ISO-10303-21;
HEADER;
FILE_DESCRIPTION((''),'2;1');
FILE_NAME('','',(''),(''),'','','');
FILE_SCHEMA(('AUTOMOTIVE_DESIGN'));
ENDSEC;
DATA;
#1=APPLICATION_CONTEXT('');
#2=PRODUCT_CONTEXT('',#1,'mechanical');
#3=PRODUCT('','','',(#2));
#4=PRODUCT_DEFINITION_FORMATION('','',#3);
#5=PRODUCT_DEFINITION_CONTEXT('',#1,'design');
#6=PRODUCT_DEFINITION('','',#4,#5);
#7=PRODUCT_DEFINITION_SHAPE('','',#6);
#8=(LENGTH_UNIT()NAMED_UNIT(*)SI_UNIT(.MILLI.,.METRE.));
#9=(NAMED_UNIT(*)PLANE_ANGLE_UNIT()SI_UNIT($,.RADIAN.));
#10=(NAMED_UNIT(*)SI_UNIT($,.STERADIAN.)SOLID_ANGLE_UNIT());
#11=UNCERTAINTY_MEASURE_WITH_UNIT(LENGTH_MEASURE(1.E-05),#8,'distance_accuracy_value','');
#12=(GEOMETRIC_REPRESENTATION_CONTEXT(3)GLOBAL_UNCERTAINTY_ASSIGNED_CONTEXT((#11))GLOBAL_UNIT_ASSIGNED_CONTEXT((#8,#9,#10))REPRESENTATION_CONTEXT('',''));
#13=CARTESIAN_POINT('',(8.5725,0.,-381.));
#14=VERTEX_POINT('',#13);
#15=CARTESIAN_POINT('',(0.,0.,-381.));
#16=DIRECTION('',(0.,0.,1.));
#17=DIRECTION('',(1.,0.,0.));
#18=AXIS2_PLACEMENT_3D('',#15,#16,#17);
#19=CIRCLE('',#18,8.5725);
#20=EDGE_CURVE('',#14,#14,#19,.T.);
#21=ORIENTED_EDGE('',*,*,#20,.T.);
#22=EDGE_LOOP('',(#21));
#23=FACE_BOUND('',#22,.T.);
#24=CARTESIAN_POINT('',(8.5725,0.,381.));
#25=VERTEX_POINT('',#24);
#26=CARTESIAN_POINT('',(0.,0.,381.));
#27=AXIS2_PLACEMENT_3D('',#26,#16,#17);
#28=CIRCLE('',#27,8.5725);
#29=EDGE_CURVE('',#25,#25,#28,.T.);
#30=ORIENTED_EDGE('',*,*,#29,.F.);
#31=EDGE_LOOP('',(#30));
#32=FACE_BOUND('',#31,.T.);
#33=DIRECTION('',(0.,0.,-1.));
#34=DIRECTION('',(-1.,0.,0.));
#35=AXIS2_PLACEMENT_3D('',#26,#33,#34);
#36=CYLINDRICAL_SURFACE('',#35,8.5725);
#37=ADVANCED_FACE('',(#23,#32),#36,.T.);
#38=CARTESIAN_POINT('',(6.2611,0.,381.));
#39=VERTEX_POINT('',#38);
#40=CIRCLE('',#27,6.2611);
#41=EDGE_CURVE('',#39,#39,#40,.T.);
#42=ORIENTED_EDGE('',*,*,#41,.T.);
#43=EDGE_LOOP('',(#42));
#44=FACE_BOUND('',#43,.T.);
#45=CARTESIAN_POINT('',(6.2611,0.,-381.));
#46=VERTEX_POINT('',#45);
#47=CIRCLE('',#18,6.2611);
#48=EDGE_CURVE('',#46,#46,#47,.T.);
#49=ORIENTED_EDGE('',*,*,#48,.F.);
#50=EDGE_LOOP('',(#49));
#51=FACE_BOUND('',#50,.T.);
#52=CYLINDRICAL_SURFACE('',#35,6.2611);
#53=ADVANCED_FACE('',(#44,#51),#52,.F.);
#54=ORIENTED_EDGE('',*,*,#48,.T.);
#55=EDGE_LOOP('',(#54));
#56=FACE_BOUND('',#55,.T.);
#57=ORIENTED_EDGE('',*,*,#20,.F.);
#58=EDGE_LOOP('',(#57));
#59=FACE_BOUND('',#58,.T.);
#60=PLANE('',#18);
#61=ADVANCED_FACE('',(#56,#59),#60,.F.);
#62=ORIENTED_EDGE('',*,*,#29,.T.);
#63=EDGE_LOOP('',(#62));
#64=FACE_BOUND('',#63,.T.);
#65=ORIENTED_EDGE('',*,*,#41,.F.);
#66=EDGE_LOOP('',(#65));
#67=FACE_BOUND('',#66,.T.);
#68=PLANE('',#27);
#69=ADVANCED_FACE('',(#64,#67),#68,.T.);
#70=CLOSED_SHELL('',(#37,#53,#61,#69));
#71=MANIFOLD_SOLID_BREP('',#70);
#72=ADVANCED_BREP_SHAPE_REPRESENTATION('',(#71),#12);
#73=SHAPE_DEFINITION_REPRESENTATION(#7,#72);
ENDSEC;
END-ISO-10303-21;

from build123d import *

# Parameters (mm, degrees)
SKETCH1_R           = 8.5725
SKETCH1_R_2         = 6.2611
EXTRUDE_THIN1_DEPTH = 381


with BuildPart() as part:
    # Sketch1 → Extrude-Thin1 (new, symmetric)
    with BuildSketch(Plane.XY):
        Circle(SKETCH1_R)
        Circle(SKETCH1_R_2, mode=Mode.SUBTRACT)
    extrude(amount=EXTRUDE_THIN1_DEPTH, both=True)


solid = part.part
